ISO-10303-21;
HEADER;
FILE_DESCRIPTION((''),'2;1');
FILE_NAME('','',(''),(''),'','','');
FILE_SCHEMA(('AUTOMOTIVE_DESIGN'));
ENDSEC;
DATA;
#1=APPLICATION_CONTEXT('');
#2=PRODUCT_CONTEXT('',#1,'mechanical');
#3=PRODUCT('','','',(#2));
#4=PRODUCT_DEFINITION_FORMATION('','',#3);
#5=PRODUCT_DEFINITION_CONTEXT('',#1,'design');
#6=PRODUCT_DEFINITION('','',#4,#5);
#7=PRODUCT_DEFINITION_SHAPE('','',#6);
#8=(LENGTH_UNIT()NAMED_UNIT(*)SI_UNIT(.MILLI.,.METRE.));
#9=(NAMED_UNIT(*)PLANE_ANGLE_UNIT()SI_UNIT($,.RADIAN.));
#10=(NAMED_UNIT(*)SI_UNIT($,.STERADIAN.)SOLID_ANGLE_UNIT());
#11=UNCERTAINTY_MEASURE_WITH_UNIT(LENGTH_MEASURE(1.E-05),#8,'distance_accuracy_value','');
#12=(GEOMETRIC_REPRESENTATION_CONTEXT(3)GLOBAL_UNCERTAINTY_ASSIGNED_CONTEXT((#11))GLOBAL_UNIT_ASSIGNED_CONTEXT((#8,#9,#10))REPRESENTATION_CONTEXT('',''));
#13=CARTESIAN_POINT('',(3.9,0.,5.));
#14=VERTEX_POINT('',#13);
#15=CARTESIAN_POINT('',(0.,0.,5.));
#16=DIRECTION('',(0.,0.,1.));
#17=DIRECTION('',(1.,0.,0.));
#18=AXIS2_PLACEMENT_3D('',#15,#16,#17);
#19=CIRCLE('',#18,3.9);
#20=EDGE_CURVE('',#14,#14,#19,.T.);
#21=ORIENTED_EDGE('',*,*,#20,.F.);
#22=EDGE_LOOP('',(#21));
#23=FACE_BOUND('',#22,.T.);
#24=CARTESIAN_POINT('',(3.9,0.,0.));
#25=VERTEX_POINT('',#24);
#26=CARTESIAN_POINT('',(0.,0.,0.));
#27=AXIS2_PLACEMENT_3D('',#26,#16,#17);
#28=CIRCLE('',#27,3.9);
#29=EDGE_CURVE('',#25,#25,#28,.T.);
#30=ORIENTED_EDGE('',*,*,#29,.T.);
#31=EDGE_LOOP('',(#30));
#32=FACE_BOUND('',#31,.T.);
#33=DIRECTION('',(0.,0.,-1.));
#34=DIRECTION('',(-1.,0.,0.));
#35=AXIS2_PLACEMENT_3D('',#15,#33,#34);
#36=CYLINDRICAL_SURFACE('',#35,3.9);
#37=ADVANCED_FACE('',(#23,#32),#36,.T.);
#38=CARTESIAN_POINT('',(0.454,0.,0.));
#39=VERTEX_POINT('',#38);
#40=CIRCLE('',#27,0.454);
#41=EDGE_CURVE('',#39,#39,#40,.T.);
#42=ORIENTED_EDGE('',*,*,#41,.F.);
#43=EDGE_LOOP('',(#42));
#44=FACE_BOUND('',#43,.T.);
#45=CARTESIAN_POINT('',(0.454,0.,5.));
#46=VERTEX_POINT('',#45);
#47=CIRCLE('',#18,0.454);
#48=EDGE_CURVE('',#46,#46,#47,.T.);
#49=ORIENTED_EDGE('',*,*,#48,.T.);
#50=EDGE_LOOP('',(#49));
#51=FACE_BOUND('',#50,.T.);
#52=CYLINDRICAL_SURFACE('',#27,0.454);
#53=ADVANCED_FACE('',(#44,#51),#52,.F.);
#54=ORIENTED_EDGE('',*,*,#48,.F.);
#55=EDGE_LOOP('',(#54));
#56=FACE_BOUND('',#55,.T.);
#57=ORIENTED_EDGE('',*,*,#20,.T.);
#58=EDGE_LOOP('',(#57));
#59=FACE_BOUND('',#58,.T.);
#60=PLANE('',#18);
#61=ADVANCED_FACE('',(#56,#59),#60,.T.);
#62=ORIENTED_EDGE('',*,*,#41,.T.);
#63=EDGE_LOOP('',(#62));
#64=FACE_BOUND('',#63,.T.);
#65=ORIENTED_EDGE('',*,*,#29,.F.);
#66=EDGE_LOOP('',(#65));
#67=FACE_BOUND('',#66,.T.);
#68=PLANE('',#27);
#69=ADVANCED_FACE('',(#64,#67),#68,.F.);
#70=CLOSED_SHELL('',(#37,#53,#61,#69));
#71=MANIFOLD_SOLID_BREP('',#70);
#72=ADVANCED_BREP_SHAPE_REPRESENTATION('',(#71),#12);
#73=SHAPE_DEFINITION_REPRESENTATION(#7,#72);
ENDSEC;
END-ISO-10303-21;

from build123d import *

# Parameters (mm, degrees)
SKETCH1_R           = 3.9
BOSS_EXTRUDE1_DEPTH = 5
SKETCH2_R           = 0.454
CUT_EXTRUDE1_DEPTH  = 5


with BuildPart() as part:
    # Sketch1 → Boss-Extrude1 (new body)
    with BuildSketch(Plane.XY):
        Circle(SKETCH1_R)
    extrude(amount=BOSS_EXTRUDE1_DEPTH)

    # Sketch2 → Cut-Extrude1 (cut)
    with BuildSketch(Plane.XY.offset(5)):
        Circle(SKETCH2_R)
    extrude(amount=-CUT_EXTRUDE1_DEPTH, mode=Mode.SUBTRACT)


solid = part.part
